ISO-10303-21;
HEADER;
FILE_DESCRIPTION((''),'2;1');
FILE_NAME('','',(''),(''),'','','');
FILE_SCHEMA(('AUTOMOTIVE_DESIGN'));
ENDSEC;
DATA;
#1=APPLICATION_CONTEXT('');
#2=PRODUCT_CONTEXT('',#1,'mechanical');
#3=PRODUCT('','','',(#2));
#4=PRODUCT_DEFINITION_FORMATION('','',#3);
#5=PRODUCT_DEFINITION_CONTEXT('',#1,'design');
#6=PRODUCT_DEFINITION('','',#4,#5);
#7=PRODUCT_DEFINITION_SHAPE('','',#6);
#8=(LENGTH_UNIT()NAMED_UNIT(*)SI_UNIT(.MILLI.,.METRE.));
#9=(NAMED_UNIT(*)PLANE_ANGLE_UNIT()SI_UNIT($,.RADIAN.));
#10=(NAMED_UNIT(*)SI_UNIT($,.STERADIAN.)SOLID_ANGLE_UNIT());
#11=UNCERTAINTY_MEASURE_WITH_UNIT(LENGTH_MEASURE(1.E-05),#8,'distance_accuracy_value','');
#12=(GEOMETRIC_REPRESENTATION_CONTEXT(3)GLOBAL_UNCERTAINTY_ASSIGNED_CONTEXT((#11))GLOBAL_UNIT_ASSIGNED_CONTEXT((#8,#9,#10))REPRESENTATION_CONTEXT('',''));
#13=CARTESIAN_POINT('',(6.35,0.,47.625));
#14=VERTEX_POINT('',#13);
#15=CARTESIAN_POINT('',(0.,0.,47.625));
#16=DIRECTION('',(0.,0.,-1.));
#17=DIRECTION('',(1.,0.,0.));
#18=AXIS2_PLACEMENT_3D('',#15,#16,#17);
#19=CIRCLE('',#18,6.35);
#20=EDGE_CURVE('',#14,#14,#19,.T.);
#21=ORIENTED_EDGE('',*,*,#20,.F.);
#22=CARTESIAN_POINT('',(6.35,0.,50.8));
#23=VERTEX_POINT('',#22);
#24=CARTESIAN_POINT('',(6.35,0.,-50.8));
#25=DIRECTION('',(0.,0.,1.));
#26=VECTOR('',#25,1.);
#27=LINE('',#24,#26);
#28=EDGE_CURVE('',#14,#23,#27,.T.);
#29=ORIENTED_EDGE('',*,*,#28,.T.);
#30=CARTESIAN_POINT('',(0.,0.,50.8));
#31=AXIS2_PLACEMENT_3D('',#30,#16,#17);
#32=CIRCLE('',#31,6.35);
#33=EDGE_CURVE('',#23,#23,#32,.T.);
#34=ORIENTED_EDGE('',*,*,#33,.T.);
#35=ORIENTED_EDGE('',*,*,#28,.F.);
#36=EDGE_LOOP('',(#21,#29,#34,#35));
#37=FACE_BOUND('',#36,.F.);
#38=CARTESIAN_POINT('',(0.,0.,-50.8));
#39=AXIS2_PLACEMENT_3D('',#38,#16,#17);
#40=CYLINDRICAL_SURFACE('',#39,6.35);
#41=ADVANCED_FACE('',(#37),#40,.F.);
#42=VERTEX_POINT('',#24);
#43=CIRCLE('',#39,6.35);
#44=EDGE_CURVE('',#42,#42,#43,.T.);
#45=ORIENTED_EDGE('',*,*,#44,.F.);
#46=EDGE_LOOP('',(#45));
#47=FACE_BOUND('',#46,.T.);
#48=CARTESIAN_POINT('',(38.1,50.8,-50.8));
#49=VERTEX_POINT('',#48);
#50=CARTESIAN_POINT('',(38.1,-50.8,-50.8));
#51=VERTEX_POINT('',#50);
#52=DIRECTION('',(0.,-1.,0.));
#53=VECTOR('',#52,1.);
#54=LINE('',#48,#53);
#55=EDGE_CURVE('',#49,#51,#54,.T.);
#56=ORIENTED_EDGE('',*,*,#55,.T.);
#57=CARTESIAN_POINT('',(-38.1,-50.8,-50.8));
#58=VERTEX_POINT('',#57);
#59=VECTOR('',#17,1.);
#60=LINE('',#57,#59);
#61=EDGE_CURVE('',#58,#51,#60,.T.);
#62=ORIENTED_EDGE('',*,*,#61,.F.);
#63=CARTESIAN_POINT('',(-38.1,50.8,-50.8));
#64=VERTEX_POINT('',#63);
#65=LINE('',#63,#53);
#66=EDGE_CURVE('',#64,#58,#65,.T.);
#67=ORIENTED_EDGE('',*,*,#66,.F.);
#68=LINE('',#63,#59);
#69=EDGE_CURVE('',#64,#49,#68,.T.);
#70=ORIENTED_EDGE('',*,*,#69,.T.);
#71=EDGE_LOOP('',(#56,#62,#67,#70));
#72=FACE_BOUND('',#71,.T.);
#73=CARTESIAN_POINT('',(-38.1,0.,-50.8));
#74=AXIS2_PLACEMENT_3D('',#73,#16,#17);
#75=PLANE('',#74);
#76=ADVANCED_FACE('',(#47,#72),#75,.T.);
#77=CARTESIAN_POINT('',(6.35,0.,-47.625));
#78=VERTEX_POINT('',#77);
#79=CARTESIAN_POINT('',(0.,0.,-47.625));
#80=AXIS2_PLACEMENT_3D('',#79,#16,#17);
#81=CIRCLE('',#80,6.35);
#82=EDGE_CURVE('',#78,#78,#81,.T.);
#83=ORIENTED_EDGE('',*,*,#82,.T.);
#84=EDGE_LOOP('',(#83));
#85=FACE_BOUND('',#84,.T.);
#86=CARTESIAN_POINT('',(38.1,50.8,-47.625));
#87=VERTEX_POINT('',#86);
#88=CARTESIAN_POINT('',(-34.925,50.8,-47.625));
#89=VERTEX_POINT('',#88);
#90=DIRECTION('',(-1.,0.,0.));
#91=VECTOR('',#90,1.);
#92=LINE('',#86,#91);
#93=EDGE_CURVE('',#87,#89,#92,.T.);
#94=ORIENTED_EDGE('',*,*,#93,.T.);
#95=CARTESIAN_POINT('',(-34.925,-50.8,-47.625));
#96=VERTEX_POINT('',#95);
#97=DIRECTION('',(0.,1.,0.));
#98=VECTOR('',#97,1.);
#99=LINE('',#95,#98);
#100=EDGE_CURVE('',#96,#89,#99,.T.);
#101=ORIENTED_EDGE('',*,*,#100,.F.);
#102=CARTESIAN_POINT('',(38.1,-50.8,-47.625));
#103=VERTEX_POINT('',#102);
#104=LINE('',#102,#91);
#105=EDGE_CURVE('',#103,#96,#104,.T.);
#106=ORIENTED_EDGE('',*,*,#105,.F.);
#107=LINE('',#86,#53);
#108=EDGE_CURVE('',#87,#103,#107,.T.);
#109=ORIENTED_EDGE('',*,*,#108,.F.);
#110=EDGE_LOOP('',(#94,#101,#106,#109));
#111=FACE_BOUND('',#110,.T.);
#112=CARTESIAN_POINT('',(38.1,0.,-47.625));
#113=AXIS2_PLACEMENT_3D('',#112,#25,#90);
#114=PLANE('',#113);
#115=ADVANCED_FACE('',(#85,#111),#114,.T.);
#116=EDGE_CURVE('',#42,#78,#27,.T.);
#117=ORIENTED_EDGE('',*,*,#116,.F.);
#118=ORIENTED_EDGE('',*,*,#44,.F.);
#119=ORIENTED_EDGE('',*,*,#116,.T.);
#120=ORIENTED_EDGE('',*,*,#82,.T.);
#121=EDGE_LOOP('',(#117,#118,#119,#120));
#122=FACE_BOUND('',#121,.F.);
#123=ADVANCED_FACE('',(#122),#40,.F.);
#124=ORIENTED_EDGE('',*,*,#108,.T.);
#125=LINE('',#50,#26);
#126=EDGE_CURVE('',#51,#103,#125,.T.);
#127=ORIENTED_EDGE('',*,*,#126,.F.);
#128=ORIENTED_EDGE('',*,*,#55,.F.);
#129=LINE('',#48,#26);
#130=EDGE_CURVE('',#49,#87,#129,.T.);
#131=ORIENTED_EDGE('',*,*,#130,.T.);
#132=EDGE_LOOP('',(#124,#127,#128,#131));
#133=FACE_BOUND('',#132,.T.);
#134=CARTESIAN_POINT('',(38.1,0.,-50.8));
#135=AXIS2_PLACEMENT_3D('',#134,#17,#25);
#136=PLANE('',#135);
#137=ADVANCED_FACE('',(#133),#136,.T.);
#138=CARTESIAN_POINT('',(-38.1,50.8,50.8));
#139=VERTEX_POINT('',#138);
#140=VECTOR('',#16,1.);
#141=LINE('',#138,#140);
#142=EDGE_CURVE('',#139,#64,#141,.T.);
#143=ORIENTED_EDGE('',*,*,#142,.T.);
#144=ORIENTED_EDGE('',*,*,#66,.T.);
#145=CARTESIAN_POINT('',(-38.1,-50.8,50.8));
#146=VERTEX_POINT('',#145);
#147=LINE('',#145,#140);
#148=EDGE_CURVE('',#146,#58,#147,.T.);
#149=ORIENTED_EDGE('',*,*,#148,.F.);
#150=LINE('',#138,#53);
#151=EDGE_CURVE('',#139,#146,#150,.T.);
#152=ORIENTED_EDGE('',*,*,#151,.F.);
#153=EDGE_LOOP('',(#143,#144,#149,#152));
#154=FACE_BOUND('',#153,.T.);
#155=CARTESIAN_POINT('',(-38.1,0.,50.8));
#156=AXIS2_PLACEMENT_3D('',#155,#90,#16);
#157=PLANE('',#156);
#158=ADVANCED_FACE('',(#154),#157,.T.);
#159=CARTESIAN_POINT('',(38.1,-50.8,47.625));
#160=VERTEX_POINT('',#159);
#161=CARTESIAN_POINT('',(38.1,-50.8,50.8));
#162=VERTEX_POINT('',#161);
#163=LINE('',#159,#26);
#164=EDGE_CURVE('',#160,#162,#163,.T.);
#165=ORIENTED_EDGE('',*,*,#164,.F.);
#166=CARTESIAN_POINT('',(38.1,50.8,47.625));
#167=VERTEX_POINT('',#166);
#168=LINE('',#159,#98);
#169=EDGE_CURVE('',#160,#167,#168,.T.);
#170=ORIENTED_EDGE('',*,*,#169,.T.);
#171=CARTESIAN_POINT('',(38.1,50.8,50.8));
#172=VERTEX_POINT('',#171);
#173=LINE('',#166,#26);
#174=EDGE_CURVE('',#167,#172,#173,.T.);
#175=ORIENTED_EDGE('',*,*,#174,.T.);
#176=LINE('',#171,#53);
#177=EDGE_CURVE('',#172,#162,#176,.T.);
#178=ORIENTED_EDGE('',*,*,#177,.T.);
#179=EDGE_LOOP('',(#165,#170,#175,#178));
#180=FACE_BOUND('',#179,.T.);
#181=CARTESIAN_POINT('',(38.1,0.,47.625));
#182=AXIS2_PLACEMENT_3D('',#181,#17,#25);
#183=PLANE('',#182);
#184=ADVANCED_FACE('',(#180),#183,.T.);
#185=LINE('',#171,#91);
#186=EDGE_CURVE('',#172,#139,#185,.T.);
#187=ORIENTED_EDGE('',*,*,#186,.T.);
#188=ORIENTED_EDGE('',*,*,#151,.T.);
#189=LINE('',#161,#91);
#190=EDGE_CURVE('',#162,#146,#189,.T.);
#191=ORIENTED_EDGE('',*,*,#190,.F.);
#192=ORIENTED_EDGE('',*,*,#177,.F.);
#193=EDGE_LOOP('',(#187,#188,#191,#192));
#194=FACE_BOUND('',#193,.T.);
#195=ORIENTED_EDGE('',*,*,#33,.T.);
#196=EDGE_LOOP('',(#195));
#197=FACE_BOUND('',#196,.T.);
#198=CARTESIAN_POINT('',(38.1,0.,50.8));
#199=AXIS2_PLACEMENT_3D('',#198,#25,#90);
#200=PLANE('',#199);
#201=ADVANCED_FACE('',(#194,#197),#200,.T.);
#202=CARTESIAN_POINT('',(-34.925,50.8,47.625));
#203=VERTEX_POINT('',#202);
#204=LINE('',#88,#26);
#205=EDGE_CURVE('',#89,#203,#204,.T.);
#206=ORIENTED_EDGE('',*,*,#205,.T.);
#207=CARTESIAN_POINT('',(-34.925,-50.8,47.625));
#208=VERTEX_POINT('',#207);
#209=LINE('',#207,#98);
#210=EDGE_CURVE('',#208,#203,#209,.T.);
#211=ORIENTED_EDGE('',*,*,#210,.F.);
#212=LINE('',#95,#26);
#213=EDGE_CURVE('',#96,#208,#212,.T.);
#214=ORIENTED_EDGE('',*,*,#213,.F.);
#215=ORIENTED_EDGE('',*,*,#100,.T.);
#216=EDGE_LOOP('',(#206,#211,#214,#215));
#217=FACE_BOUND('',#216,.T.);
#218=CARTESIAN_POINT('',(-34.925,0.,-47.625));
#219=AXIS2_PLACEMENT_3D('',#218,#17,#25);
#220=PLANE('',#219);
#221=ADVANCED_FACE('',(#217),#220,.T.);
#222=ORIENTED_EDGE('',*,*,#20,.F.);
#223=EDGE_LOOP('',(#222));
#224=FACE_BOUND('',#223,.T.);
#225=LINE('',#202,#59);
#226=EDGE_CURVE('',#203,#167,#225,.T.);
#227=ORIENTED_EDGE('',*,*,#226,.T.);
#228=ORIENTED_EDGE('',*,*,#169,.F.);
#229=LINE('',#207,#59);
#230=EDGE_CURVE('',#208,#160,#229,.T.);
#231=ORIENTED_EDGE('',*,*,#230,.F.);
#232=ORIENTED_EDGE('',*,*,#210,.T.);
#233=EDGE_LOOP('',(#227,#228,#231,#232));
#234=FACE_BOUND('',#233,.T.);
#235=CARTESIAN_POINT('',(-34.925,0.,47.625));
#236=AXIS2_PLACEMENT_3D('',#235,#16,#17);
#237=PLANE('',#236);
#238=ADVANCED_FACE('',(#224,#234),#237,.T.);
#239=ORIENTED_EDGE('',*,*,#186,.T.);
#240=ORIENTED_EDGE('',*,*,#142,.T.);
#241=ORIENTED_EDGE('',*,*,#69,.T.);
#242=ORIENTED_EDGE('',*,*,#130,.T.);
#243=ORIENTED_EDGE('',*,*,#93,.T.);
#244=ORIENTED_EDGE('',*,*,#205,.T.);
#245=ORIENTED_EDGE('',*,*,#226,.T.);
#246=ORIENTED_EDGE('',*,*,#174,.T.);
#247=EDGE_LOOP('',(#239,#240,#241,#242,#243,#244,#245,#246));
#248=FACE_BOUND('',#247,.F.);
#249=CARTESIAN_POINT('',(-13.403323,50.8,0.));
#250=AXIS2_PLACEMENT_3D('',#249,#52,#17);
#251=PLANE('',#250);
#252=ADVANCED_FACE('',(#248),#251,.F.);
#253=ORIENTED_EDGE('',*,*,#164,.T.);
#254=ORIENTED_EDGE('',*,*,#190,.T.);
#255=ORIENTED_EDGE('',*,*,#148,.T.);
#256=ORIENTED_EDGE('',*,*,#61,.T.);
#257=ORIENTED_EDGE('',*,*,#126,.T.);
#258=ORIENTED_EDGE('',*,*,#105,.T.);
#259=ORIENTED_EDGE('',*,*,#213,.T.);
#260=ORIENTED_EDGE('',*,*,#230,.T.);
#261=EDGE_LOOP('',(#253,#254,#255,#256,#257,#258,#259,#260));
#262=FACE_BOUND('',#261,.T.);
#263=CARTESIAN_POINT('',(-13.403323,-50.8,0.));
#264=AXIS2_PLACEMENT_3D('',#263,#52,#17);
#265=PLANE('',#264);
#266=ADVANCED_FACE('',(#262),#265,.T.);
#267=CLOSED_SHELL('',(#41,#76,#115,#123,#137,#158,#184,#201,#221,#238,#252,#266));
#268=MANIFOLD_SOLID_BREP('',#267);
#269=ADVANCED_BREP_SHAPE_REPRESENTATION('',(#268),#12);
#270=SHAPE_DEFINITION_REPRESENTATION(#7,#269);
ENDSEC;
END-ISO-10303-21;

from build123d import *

# Parameters (mm, degrees)
F1_DEPTH = 50.8
F2_R     = 6.35
F3_DEPTH = 101.601


with BuildPart() as f1:
    # F0 (on Front) → F1 (new body, symmetric)
    with BuildSketch(Plane.XZ):
        Polygon((38.1, 47.625), (38.1, 50.8), (-38.1, 50.8), (-38.1, -50.8), (38.1, -50.8), (38.1, -47.625), (-34.925, -47.625), (-34.925, 47.625), align=None)
    extrude(amount=F1_DEPTH, both=True)

    # F2 (on face) → F3 (cut, through all)
    with BuildSketch(Plane(origin=(0, 0, -50.8), x_dir=(1, 0, 0), z_dir=(0, 0, -1))):
        Circle(F2_R)
    extrude(amount=-F3_DEPTH, mode=Mode.SUBTRACT)


solid = f1.part
